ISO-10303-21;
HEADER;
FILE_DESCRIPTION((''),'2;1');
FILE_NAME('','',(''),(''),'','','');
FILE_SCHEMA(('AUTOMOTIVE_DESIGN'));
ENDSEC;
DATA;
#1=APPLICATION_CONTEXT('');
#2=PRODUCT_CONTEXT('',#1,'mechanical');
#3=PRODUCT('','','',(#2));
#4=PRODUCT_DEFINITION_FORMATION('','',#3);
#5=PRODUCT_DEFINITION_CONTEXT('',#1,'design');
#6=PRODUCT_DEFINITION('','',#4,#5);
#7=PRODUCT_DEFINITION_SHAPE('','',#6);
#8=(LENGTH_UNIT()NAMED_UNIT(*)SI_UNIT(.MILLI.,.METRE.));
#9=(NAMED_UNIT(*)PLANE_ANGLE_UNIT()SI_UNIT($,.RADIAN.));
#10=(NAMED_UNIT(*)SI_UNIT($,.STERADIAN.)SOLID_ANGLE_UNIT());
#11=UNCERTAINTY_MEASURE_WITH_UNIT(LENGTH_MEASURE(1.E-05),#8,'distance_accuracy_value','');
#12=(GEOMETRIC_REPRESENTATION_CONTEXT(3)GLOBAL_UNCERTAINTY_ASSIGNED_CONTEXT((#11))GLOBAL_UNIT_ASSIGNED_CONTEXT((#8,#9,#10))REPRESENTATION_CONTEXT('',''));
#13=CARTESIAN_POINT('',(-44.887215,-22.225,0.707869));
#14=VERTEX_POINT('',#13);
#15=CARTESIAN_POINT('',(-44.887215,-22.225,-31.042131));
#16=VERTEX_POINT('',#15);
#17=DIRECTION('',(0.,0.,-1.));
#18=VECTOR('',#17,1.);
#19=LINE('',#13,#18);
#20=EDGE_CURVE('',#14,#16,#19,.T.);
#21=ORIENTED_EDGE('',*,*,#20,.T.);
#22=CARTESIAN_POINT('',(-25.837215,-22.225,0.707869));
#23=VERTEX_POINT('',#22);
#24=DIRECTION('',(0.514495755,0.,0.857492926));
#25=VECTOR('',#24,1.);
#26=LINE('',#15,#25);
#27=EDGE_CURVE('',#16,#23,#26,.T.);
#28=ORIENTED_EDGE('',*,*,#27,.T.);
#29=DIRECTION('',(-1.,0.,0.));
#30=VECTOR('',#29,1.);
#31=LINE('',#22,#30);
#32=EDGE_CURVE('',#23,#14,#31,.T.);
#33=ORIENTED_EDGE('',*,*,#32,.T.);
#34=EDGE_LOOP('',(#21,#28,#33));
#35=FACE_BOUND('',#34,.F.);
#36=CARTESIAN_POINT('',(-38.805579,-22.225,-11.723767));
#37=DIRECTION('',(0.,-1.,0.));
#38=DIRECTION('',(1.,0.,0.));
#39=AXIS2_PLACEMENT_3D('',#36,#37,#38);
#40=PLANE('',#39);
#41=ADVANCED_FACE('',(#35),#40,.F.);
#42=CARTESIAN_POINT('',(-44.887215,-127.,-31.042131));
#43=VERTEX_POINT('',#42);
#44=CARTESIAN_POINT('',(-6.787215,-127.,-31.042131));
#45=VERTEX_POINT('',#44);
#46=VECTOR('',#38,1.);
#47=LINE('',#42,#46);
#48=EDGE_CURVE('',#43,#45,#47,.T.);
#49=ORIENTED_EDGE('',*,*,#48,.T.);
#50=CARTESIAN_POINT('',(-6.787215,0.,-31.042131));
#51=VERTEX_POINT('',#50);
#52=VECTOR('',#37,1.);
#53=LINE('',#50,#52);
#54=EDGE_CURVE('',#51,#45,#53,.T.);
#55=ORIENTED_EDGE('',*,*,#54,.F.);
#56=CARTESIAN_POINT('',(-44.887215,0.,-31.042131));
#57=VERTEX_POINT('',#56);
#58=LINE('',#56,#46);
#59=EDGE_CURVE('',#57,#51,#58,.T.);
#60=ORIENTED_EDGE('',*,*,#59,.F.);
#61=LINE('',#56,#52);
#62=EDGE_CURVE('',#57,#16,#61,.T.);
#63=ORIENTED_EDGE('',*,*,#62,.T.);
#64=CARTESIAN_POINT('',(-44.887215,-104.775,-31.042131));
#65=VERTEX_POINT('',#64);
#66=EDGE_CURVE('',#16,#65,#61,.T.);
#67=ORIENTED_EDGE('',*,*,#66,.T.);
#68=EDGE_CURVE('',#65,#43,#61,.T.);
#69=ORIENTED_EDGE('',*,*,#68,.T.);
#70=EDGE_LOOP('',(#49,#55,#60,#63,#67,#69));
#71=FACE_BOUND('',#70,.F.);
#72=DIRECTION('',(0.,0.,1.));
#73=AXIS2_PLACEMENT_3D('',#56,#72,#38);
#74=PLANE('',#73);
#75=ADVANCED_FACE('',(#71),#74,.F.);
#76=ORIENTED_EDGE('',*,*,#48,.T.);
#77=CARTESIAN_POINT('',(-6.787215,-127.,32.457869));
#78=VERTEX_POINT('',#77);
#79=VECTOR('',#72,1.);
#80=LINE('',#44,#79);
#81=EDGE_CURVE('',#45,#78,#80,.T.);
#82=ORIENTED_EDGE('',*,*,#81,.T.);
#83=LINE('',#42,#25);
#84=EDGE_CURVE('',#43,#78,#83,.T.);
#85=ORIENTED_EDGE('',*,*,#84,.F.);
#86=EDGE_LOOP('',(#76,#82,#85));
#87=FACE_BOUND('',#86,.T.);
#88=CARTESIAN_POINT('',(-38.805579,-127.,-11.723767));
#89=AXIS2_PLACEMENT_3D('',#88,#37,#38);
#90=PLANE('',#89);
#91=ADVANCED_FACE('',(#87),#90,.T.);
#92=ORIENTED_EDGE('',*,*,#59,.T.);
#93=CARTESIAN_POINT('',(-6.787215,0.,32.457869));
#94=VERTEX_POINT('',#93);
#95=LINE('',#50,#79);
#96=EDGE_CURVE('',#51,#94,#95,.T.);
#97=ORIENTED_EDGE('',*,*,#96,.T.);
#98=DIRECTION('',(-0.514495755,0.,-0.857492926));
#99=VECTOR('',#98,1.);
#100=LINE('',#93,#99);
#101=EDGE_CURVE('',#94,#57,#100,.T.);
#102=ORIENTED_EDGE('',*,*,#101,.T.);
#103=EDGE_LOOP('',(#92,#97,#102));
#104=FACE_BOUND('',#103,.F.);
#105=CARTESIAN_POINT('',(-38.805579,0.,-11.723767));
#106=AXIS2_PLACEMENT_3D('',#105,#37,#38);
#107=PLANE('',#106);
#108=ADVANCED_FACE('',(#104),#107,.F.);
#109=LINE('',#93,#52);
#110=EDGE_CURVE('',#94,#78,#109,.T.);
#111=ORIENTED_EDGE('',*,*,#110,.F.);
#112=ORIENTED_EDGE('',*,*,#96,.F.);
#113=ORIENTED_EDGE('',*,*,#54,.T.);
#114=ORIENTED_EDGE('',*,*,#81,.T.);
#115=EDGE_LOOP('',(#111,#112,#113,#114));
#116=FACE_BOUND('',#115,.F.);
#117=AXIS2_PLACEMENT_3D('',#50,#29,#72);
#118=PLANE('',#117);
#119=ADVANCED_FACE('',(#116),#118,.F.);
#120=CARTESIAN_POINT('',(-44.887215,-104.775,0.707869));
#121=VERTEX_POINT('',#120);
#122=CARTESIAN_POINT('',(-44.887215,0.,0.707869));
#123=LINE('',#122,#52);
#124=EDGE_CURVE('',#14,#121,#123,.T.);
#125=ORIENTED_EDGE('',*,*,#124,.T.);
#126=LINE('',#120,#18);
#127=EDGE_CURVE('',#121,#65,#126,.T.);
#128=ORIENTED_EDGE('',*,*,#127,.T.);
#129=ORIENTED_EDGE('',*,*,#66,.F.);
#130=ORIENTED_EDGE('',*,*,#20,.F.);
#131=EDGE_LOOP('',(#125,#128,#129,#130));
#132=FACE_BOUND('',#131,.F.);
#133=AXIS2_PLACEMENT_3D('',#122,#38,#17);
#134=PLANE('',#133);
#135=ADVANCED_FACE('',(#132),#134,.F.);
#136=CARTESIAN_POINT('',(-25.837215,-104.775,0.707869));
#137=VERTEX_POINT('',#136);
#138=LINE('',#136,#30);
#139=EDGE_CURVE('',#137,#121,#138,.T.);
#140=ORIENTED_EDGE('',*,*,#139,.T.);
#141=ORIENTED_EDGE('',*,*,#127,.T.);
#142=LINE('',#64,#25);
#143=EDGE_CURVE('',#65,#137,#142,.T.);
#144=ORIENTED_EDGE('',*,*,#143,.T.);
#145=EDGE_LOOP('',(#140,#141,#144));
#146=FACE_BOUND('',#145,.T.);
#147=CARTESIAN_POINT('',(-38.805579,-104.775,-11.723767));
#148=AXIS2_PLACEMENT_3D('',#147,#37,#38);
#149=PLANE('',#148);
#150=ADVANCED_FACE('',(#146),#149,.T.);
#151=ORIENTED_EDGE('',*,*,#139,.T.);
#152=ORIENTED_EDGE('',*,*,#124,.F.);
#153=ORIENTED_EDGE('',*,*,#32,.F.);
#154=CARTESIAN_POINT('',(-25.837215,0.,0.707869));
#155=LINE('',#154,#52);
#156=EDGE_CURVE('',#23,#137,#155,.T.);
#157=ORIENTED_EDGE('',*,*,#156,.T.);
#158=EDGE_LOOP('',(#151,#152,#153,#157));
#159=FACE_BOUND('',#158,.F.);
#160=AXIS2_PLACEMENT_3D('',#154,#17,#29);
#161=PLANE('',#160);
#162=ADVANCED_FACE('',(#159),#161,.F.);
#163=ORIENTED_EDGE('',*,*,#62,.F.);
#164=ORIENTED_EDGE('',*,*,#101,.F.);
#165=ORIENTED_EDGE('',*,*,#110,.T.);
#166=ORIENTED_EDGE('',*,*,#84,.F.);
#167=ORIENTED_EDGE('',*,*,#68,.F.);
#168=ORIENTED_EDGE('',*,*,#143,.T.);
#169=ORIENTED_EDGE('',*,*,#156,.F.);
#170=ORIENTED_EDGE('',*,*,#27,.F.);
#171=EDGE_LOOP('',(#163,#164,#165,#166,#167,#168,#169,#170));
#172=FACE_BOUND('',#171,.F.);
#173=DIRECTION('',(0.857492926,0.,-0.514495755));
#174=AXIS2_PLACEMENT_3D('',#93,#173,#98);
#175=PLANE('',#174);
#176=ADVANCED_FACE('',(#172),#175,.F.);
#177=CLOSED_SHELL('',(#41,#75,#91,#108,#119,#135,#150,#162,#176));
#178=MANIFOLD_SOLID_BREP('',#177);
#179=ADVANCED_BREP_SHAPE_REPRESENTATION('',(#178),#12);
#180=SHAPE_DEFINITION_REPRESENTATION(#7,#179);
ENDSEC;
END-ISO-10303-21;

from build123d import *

# Parameters (mm, degrees)
F1_DEPTH = 127
F2_DEPTH = 127
F4_DEPTH = 22.225
F5_DEPTH = 22.225


with BuildPart() as f1:
    # F0 (on Front) → F1 (new body)
    with BuildSketch(Plane.XZ):
        Polygon((-25.837215, 0.707869), (-44.887215, -31.042131), (-6.787215, -31.042131), (-6.787215, 32.457869), align=None)
    extrude(amount=F1_DEPTH)

    # F0 (on Front) → F2 (join)
    with BuildSketch(Plane.XZ):
        Polygon((-44.887215, 0), (-44.887215, -31.042131), (-25.837215, 0.707869), (-44.887215, 0.707869), align=None)
    extrude(amount=F2_DEPTH)

    # F3 (on face) → F4 (cut)
    with BuildSketch(Plane.XZ.offset(127)):
        Polygon((-44.887215, 0.707869), (-44.887215, -31.042131), (-25.837215, 0.707869), align=None)
    extrude(amount=-F4_DEPTH, mode=Mode.SUBTRACT)

    # F0 (on Front) → F5 (cut)
    with BuildSketch(Plane.XZ):
        Polygon((-44.887215, 0), (-44.887215, -31.042131), (-25.837215, 0.707869), (-44.887215, 0.707869), align=None)
    extrude(amount=F5_DEPTH, mode=Mode.SUBTRACT)


solid = f1.part
